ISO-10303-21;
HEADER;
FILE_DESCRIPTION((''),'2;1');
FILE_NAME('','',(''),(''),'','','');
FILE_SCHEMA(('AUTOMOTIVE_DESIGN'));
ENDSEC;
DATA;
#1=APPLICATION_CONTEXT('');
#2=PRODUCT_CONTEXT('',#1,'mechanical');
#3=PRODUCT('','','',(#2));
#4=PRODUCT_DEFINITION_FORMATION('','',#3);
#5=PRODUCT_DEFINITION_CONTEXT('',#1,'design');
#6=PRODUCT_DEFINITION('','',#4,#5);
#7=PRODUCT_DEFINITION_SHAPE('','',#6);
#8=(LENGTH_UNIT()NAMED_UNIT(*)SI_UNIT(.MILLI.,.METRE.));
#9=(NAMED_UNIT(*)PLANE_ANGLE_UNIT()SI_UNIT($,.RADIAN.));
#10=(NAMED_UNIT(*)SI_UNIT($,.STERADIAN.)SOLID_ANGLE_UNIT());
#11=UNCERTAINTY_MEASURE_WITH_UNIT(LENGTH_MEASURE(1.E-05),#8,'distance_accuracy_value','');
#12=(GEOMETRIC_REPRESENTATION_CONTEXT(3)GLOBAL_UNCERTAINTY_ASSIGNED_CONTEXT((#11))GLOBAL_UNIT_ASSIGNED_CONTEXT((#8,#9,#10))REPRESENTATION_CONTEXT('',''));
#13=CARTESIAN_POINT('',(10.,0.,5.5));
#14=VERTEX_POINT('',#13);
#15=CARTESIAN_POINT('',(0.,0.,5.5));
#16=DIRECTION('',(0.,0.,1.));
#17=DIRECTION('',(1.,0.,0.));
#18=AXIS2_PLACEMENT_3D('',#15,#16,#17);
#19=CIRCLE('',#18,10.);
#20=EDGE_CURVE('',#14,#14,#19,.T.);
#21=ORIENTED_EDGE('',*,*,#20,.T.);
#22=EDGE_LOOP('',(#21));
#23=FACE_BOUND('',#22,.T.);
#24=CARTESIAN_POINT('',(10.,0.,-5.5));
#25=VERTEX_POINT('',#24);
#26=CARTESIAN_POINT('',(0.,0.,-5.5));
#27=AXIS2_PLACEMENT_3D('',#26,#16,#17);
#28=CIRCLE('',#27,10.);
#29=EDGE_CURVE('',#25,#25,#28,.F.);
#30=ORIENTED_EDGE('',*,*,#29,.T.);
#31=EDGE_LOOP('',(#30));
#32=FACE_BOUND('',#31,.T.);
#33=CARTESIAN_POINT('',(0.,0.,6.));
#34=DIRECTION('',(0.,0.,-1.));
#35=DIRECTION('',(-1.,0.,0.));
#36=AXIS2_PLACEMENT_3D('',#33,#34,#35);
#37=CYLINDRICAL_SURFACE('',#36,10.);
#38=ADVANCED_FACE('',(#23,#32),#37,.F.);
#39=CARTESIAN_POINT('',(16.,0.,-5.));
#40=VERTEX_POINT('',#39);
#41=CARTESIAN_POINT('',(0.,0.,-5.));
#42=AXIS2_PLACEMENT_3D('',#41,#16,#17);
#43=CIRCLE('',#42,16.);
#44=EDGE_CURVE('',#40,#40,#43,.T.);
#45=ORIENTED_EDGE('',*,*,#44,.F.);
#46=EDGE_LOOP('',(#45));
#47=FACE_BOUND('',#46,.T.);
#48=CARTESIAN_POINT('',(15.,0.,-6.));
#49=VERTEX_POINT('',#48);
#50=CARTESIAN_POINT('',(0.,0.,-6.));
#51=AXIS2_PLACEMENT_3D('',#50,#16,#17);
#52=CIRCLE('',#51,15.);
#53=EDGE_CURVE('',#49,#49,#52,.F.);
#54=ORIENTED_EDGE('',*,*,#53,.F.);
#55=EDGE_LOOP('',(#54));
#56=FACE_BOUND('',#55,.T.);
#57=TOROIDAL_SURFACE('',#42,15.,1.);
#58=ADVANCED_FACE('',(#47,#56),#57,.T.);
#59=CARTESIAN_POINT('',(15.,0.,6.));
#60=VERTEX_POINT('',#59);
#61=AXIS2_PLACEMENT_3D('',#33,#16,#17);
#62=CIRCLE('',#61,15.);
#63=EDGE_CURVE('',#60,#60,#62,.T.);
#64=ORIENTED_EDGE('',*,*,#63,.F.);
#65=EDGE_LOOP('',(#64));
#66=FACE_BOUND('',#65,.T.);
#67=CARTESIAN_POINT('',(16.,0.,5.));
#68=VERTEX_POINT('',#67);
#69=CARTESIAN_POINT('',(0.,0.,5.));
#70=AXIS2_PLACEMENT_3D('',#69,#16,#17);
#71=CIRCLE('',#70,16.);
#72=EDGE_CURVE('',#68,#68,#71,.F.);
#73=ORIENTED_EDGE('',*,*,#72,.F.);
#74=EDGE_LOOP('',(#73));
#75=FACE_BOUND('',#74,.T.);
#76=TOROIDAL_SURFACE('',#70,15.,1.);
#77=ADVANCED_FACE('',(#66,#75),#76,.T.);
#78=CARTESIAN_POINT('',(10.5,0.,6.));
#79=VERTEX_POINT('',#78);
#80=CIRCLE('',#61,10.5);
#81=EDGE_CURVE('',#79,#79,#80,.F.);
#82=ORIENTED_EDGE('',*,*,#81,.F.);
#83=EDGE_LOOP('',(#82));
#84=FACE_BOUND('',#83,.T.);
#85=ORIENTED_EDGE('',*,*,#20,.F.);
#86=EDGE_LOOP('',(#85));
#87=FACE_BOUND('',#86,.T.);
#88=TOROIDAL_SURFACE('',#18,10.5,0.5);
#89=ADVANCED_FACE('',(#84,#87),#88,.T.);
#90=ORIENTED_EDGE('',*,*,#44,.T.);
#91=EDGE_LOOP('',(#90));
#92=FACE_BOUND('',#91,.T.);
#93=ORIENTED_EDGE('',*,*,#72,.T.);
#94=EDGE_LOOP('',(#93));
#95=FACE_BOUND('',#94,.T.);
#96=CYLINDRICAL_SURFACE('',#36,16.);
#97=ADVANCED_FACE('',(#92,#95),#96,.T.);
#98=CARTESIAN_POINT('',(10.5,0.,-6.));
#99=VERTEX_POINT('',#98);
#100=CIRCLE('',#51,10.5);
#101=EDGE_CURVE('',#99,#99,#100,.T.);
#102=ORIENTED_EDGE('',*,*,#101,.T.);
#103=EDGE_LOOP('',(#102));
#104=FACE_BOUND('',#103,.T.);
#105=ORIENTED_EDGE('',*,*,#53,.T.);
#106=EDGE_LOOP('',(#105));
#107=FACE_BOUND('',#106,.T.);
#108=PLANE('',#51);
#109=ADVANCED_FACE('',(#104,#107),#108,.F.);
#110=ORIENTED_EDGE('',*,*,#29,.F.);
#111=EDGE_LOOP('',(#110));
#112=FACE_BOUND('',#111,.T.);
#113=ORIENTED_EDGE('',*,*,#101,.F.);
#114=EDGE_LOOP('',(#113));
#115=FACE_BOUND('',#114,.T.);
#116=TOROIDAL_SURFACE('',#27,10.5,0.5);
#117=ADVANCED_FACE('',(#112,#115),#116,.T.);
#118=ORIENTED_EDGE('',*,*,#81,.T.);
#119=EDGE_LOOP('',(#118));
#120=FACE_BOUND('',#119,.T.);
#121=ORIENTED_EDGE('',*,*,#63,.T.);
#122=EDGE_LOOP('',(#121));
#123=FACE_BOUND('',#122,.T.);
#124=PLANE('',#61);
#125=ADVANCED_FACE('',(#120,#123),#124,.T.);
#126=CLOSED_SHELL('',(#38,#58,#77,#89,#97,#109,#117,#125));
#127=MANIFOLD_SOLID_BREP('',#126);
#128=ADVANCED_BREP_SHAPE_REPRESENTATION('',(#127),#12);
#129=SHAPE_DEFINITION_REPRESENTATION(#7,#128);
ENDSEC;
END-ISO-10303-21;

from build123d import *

# Parameters (mm, degrees)
SKETCH_1_R      = 16
SKETCH_1_R_2    = 10
EXTRUDE_4_DEPTH = 6
FILLET_1_R      = 1
FILLET_2_R      = 0.5


with BuildPart() as part:
    # 草图1 → 凸台-拉伸4 (new, symmetric)
    with BuildSketch(Plane.XY):
        Circle(SKETCH_1_R)
        Circle(SKETCH_1_R_2, mode=Mode.SUBTRACT)
    extrude(amount=EXTRUDE_4_DEPTH, both=True)

    # 圆角1
    fillet_1_edges = [part.edges().sort_by_distance(p)[0] for p in [
        (-16, 0, 6),
        (-16, 0, -6),
    ]]
    fillet(fillet_1_edges, radius=FILLET_1_R)

    # 圆角2
    fillet_2_edges = [part.edges().sort_by_distance(p)[0] for p in [
        (-10, 0, -6),
        (-10, 0, 6),
    ]]
    fillet(fillet_2_edges, radius=FILLET_2_R)


solid = part.part
